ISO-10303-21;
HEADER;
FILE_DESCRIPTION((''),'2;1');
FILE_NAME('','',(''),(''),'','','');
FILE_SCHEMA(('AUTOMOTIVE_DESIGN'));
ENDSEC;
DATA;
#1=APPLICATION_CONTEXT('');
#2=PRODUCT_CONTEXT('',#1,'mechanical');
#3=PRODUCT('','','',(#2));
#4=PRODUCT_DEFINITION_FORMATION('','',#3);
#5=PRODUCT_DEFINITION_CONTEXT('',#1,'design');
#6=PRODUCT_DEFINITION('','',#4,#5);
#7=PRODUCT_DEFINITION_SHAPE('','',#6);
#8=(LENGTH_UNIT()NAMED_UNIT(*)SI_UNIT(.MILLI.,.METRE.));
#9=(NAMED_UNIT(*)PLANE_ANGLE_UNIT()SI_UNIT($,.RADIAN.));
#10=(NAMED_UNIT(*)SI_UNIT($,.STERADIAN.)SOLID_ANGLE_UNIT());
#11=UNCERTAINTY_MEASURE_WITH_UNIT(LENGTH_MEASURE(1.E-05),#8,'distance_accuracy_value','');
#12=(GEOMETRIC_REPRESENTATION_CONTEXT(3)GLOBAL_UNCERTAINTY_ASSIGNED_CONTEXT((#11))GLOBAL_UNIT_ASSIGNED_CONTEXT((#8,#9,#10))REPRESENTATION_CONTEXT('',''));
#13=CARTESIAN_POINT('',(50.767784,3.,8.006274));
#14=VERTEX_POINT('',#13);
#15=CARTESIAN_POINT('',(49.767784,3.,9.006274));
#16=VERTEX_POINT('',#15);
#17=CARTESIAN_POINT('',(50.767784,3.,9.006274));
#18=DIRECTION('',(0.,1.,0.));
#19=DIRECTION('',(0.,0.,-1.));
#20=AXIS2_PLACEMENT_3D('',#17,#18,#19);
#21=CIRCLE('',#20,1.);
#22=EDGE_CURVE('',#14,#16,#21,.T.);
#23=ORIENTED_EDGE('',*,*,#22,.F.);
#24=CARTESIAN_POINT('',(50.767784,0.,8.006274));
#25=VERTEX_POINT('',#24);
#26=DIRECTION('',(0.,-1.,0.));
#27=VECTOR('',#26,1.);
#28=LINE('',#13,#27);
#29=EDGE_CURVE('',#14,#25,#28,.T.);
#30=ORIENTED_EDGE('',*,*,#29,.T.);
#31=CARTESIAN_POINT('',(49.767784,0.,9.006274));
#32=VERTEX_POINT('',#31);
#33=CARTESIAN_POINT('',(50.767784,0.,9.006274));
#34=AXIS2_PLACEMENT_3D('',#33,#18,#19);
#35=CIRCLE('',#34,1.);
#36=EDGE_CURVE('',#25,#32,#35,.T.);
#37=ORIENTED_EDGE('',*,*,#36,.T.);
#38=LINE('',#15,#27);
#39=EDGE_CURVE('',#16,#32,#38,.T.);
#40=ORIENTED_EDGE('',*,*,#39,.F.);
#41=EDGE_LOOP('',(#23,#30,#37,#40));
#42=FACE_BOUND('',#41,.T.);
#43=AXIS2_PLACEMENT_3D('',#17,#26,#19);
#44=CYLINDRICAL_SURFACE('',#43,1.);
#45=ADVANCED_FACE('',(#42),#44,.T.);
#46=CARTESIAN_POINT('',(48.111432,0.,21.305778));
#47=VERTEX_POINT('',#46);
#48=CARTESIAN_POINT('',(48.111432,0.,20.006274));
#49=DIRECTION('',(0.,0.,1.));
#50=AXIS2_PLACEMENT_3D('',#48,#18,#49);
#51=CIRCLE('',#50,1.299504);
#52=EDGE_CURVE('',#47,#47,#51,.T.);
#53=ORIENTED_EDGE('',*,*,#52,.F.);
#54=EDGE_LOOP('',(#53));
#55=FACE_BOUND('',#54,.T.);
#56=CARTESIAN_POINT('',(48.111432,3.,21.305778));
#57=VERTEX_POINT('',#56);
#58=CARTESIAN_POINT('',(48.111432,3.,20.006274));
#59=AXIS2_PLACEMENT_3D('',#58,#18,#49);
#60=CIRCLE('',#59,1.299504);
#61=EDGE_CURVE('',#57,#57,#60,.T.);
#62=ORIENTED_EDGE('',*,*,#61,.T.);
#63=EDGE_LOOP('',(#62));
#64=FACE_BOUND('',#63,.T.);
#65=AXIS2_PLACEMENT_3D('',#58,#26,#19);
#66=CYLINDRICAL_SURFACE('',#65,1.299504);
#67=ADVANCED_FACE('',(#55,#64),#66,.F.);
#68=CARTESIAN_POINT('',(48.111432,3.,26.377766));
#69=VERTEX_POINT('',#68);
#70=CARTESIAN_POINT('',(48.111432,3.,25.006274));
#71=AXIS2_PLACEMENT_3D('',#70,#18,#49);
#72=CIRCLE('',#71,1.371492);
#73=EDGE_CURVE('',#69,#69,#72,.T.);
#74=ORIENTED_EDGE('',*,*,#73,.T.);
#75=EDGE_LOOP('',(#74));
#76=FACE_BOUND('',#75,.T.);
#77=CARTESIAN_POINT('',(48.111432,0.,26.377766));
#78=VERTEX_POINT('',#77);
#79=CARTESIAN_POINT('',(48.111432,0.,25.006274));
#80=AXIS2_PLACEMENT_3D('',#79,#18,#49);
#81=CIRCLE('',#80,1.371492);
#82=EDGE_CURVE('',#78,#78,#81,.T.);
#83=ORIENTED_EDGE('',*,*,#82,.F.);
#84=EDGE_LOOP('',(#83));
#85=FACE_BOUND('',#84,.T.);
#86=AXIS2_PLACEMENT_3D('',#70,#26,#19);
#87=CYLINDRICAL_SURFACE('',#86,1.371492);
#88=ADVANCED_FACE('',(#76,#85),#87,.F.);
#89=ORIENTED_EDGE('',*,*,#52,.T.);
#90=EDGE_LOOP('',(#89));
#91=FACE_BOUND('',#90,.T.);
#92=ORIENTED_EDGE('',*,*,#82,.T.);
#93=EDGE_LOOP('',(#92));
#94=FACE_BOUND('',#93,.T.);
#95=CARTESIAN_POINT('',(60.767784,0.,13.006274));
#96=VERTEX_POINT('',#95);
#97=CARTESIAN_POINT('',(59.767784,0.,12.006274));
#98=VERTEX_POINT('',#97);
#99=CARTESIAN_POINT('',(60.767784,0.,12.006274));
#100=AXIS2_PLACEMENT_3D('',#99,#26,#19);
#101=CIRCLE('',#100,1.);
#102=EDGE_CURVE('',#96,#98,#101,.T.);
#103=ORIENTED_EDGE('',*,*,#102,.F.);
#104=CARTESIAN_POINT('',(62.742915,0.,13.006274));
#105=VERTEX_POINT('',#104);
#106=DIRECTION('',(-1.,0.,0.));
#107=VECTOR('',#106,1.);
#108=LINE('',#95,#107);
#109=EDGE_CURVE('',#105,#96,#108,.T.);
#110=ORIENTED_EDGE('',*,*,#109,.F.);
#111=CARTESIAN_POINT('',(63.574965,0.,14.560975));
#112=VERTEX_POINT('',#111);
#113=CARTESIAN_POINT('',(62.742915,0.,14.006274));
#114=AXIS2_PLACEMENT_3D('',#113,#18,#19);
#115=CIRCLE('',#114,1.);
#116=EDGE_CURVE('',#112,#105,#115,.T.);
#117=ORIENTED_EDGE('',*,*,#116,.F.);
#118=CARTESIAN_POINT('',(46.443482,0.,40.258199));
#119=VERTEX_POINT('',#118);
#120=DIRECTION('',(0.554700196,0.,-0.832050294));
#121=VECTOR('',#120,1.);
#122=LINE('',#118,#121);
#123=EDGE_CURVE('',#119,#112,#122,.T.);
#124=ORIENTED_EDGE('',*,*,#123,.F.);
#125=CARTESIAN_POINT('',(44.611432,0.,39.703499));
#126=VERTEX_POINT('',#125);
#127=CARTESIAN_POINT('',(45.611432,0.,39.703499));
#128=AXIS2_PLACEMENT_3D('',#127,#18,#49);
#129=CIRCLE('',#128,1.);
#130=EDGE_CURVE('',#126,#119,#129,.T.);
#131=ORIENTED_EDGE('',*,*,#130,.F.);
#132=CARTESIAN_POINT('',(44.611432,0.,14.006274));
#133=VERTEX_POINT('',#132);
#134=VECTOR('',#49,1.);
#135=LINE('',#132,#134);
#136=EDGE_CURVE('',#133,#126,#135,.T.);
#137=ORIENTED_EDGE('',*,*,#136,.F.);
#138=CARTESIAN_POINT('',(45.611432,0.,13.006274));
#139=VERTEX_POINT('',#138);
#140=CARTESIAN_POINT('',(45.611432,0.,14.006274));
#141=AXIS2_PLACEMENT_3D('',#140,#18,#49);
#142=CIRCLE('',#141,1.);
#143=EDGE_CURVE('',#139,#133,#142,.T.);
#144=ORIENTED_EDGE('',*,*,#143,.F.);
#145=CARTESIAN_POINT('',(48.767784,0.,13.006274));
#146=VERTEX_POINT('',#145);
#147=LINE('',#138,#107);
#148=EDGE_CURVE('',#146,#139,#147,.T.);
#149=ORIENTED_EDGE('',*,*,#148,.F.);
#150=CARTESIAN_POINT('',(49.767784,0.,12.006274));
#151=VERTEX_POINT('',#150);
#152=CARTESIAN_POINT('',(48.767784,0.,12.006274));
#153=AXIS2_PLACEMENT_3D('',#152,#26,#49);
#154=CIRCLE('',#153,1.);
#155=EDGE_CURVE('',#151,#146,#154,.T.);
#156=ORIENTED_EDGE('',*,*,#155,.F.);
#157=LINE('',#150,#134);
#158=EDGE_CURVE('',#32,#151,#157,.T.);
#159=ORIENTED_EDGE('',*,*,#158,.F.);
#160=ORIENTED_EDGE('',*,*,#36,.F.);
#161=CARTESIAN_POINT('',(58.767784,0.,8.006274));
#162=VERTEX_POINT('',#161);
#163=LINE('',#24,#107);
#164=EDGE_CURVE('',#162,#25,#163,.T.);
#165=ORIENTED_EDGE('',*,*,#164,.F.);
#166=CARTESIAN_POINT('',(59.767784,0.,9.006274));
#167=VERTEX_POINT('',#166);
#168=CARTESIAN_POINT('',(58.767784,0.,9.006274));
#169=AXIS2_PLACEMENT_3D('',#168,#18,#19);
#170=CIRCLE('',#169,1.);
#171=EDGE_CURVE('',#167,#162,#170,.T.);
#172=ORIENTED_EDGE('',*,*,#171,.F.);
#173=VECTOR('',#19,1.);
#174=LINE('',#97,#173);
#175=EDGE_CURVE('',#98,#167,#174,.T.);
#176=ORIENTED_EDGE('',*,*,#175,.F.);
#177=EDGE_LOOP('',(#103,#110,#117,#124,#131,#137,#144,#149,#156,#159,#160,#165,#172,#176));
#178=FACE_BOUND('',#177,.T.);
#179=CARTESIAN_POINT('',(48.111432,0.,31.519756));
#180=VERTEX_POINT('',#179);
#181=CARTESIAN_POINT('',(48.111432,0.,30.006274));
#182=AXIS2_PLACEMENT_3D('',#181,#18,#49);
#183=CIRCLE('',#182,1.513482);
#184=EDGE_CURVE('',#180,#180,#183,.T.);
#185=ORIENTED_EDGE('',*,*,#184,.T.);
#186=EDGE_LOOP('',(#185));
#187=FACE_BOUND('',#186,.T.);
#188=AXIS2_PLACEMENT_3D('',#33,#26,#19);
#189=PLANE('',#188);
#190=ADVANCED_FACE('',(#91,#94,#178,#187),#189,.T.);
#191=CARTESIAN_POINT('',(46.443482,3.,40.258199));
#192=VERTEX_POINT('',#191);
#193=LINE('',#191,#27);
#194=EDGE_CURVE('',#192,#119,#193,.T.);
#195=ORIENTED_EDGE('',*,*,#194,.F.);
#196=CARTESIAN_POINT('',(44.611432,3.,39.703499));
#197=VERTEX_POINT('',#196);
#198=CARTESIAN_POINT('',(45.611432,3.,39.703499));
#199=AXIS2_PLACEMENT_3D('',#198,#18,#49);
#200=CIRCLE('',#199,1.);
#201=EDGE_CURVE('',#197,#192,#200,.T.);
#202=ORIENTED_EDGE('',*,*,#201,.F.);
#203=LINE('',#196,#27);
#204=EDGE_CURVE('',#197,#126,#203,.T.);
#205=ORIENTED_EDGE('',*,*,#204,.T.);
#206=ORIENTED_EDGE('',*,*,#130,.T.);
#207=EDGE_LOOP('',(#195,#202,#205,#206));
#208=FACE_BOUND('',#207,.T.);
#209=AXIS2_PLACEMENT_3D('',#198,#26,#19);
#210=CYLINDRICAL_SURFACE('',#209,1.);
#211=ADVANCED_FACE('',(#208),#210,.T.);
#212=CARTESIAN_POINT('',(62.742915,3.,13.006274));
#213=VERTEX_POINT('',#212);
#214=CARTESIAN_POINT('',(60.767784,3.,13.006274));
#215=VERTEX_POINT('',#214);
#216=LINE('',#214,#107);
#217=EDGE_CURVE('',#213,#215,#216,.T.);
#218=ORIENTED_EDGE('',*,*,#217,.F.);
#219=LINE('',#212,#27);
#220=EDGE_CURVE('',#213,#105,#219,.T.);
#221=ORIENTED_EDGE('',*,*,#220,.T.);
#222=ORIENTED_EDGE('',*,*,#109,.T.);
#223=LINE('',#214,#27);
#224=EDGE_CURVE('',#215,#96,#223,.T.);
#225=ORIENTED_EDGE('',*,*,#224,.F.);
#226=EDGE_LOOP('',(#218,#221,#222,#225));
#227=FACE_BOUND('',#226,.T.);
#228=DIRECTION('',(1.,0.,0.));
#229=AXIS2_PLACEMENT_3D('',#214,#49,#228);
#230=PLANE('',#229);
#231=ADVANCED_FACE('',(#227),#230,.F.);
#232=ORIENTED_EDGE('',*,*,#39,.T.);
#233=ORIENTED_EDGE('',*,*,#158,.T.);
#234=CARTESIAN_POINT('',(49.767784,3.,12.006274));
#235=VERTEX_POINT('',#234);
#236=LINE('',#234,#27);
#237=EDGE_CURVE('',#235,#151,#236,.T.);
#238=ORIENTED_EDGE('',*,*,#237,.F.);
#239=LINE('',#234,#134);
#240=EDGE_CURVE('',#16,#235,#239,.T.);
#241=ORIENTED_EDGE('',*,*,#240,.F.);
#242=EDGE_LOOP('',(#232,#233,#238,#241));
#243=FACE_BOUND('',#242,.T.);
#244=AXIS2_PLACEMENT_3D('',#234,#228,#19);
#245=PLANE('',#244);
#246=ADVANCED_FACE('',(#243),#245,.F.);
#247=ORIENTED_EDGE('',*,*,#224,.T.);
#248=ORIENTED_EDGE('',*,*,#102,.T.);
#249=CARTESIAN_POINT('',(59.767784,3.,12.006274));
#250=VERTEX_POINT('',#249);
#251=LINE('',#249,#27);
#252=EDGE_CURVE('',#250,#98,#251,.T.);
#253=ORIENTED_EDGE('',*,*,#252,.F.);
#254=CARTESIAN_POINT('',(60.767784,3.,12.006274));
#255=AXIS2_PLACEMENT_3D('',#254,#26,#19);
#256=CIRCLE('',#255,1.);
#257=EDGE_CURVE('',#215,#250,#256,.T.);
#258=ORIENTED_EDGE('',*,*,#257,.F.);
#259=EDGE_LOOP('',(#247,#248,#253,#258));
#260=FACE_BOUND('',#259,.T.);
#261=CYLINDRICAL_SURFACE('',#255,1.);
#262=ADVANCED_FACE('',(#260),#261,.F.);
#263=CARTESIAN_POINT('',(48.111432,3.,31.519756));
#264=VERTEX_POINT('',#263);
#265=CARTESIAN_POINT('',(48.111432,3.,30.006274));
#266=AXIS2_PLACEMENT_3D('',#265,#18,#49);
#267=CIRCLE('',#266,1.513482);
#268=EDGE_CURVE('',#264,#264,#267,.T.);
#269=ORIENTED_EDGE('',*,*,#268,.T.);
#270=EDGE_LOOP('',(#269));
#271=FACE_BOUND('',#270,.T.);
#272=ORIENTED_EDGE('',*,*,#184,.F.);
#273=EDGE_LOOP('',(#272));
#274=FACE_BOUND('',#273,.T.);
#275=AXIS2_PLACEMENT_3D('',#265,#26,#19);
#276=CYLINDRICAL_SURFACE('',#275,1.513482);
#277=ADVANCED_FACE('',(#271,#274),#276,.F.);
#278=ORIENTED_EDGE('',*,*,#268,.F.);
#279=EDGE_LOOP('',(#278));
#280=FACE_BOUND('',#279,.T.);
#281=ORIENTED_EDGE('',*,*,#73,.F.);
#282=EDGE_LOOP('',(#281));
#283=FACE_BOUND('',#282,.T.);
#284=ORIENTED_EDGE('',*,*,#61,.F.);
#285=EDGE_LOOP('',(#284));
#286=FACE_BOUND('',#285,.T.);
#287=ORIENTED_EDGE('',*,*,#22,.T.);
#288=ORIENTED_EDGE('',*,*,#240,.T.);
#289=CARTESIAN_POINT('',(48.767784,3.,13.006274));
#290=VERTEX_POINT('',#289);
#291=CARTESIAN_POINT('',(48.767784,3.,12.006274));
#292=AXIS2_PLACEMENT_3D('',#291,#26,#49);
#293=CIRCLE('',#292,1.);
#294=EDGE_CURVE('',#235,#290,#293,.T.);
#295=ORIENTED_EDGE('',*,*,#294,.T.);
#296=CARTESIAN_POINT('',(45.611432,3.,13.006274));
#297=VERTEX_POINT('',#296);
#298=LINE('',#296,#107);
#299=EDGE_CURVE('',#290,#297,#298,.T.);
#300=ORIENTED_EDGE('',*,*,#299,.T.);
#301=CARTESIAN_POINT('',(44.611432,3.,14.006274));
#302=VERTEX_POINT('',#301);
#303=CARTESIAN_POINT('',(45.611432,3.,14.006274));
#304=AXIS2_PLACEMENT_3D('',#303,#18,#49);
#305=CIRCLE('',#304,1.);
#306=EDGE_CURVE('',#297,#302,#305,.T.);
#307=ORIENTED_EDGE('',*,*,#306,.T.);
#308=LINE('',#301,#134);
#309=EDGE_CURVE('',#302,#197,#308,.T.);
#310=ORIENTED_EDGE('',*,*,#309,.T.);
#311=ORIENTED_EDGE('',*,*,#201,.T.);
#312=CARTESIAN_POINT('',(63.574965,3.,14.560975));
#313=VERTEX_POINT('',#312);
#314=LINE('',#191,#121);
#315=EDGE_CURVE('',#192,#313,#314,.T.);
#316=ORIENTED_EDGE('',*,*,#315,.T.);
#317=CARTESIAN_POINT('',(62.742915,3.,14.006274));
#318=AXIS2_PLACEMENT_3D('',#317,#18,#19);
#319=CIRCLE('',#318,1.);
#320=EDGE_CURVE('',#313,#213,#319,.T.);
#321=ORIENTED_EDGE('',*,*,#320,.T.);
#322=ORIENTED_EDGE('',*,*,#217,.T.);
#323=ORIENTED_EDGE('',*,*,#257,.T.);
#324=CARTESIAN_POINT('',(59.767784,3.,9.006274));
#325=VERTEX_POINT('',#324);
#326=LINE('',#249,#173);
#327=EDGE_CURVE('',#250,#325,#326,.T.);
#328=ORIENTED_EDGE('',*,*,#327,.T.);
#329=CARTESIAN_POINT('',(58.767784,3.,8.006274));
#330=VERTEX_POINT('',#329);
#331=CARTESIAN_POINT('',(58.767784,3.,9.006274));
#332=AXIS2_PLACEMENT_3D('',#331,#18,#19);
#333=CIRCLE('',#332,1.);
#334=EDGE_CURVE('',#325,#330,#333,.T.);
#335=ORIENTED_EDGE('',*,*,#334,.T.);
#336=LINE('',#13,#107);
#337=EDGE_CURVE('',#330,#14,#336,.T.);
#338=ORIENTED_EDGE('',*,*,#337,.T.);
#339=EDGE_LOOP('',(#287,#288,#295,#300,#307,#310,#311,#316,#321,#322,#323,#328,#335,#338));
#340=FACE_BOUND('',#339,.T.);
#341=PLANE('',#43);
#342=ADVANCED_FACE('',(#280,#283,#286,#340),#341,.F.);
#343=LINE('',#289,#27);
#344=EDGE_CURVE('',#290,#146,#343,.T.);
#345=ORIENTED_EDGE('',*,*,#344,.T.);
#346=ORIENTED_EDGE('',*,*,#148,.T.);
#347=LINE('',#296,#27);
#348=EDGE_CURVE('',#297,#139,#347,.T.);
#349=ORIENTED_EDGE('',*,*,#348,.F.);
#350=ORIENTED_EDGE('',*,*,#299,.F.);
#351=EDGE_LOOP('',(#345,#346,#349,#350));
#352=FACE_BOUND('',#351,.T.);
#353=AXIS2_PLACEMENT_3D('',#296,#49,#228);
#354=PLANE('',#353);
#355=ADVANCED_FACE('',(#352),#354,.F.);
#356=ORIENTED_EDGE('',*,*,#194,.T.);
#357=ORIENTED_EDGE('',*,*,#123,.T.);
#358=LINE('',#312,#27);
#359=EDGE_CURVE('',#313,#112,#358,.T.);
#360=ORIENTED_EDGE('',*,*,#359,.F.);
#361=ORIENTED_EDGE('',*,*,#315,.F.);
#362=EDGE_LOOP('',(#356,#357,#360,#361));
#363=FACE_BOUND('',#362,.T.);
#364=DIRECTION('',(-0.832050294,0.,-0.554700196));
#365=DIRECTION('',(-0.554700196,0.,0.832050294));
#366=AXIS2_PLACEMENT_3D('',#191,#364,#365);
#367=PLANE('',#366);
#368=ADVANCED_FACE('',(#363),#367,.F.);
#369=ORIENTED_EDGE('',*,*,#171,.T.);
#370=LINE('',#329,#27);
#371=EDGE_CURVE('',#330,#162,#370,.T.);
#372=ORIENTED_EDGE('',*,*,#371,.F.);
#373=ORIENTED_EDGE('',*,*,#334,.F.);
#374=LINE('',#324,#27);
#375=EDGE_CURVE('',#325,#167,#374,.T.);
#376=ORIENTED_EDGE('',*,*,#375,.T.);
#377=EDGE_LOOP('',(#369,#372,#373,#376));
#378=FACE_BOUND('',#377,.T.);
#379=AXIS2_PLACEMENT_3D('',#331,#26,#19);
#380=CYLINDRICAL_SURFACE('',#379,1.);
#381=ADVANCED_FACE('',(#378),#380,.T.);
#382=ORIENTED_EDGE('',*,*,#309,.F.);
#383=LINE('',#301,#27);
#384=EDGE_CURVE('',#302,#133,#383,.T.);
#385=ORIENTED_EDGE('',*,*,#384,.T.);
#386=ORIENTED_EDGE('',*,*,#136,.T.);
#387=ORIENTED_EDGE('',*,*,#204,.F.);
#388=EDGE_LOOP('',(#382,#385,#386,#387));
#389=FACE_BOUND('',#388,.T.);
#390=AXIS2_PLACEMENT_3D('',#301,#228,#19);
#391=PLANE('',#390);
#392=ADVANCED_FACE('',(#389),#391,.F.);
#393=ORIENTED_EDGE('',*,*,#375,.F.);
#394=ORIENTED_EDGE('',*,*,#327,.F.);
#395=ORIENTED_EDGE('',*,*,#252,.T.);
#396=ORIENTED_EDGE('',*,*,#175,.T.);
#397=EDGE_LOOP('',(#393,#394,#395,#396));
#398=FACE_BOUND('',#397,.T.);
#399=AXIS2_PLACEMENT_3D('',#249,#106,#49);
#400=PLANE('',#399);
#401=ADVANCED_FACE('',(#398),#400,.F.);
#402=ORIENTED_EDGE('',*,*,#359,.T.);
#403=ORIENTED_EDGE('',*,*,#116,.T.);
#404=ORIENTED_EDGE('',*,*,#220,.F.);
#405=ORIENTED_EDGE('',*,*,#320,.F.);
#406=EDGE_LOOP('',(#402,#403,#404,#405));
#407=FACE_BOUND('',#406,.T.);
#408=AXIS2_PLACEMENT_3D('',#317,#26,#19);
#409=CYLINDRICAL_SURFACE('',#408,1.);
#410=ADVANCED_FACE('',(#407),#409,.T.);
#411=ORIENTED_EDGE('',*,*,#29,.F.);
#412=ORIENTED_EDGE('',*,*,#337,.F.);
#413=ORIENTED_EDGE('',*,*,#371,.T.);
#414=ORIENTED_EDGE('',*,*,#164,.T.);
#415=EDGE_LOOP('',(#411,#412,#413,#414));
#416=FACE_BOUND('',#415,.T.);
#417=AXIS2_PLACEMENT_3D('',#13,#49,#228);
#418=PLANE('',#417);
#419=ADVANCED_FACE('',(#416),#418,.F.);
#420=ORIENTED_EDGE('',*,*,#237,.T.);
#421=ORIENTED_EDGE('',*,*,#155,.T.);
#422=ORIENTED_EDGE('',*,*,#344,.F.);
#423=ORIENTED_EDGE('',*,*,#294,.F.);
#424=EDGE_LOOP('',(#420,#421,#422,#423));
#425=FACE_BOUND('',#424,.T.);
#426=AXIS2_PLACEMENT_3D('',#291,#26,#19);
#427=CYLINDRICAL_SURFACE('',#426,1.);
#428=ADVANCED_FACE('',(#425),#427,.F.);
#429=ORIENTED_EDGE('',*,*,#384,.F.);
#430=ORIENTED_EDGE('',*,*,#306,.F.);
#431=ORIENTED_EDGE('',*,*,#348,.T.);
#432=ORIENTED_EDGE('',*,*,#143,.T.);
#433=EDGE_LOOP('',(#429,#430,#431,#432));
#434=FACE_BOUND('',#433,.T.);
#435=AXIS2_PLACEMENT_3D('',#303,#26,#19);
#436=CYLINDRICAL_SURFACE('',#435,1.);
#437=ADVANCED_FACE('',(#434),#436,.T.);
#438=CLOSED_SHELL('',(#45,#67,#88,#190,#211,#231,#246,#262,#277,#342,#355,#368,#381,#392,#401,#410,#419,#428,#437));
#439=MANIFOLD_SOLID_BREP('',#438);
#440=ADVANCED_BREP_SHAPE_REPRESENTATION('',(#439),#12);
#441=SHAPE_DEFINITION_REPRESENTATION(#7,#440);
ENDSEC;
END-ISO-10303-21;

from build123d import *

# Parameters (mm, degrees)
SKETCH1_R           = 1.513481749
SKETCH1_R_2         = 1.371491644
SKETCH1_R_3         = 1.299503913
BOSS_EXTRUDE1_DEPTH = 3


with BuildPart() as part:
    # Sketch1 → Boss-Extrude1 (new body)
    with BuildSketch(Plane(origin=(0, 0, 0), x_dir=(1, 0, 0), z_dir=(0, 1, 0))):
        with BuildLine():
            Line((46.443482118, -40.25819894), (63.574965027, -14.560974577))
            ThreePointArc((63.574965027, -14.560974577), (63.624589331, -13.534416456), (62.742914732, -13.006274381))
            Line((62.742914732, -13.006274381), (60.767784216, -13.006274381))
            ThreePointArc((60.767784216, -13.006274381), (60.060677435, -12.713381162), (59.767784216, -12.006274381))
            Line((59.767784216, -12.006274381), (59.767784216, -9.006274381))
            ThreePointArc((59.767784216, -9.006274381), (59.474890998, -8.2991676), (58.767784216, -8.006274381))
            Line((58.767784216, -8.006274381), (50.767784216, -8.006274381))
            ThreePointArc((50.767784216, -8.006274381), (50.060677435, -8.2991676), (49.767784216, -9.006274381))
            Line((49.767784216, -9.006274381), (49.767784216, -12.006274381))
            ThreePointArc((49.767784216, -12.006274381), (49.474890998, -12.713381162), (48.767784216, -13.006274381))
            Line((48.767784216, -13.006274381), (45.611431824, -13.006274381))
            ThreePointArc((45.611431824, -13.006274381), (44.904325043, -13.2991676), (44.611431824, -14.006274381))
            Line((44.611431824, -14.006274381), (44.611431824, -39.703498743))
            ThreePointArc((44.611431824, -39.703498743), (45.321647675, -40.66059077), (46.443482118, -40.25819894))
        make_face()
        with Locations(Location((48.111431824, -30.006274381, 0), (0, 0, 270))):
            Circle(SKETCH1_R, mode=Mode.SUBTRACT)
        with Locations(Location((48.111431824, -25.006274381, 0), (0, 0, 270))):
            Circle(SKETCH1_R_2, mode=Mode.SUBTRACT)
        with Locations(Location((48.111431824, -20.006274381, 0), (0, 0, 270))):
            Circle(SKETCH1_R_3, mode=Mode.SUBTRACT)
    extrude(amount=BOSS_EXTRUDE1_DEPTH)


solid = part.part
